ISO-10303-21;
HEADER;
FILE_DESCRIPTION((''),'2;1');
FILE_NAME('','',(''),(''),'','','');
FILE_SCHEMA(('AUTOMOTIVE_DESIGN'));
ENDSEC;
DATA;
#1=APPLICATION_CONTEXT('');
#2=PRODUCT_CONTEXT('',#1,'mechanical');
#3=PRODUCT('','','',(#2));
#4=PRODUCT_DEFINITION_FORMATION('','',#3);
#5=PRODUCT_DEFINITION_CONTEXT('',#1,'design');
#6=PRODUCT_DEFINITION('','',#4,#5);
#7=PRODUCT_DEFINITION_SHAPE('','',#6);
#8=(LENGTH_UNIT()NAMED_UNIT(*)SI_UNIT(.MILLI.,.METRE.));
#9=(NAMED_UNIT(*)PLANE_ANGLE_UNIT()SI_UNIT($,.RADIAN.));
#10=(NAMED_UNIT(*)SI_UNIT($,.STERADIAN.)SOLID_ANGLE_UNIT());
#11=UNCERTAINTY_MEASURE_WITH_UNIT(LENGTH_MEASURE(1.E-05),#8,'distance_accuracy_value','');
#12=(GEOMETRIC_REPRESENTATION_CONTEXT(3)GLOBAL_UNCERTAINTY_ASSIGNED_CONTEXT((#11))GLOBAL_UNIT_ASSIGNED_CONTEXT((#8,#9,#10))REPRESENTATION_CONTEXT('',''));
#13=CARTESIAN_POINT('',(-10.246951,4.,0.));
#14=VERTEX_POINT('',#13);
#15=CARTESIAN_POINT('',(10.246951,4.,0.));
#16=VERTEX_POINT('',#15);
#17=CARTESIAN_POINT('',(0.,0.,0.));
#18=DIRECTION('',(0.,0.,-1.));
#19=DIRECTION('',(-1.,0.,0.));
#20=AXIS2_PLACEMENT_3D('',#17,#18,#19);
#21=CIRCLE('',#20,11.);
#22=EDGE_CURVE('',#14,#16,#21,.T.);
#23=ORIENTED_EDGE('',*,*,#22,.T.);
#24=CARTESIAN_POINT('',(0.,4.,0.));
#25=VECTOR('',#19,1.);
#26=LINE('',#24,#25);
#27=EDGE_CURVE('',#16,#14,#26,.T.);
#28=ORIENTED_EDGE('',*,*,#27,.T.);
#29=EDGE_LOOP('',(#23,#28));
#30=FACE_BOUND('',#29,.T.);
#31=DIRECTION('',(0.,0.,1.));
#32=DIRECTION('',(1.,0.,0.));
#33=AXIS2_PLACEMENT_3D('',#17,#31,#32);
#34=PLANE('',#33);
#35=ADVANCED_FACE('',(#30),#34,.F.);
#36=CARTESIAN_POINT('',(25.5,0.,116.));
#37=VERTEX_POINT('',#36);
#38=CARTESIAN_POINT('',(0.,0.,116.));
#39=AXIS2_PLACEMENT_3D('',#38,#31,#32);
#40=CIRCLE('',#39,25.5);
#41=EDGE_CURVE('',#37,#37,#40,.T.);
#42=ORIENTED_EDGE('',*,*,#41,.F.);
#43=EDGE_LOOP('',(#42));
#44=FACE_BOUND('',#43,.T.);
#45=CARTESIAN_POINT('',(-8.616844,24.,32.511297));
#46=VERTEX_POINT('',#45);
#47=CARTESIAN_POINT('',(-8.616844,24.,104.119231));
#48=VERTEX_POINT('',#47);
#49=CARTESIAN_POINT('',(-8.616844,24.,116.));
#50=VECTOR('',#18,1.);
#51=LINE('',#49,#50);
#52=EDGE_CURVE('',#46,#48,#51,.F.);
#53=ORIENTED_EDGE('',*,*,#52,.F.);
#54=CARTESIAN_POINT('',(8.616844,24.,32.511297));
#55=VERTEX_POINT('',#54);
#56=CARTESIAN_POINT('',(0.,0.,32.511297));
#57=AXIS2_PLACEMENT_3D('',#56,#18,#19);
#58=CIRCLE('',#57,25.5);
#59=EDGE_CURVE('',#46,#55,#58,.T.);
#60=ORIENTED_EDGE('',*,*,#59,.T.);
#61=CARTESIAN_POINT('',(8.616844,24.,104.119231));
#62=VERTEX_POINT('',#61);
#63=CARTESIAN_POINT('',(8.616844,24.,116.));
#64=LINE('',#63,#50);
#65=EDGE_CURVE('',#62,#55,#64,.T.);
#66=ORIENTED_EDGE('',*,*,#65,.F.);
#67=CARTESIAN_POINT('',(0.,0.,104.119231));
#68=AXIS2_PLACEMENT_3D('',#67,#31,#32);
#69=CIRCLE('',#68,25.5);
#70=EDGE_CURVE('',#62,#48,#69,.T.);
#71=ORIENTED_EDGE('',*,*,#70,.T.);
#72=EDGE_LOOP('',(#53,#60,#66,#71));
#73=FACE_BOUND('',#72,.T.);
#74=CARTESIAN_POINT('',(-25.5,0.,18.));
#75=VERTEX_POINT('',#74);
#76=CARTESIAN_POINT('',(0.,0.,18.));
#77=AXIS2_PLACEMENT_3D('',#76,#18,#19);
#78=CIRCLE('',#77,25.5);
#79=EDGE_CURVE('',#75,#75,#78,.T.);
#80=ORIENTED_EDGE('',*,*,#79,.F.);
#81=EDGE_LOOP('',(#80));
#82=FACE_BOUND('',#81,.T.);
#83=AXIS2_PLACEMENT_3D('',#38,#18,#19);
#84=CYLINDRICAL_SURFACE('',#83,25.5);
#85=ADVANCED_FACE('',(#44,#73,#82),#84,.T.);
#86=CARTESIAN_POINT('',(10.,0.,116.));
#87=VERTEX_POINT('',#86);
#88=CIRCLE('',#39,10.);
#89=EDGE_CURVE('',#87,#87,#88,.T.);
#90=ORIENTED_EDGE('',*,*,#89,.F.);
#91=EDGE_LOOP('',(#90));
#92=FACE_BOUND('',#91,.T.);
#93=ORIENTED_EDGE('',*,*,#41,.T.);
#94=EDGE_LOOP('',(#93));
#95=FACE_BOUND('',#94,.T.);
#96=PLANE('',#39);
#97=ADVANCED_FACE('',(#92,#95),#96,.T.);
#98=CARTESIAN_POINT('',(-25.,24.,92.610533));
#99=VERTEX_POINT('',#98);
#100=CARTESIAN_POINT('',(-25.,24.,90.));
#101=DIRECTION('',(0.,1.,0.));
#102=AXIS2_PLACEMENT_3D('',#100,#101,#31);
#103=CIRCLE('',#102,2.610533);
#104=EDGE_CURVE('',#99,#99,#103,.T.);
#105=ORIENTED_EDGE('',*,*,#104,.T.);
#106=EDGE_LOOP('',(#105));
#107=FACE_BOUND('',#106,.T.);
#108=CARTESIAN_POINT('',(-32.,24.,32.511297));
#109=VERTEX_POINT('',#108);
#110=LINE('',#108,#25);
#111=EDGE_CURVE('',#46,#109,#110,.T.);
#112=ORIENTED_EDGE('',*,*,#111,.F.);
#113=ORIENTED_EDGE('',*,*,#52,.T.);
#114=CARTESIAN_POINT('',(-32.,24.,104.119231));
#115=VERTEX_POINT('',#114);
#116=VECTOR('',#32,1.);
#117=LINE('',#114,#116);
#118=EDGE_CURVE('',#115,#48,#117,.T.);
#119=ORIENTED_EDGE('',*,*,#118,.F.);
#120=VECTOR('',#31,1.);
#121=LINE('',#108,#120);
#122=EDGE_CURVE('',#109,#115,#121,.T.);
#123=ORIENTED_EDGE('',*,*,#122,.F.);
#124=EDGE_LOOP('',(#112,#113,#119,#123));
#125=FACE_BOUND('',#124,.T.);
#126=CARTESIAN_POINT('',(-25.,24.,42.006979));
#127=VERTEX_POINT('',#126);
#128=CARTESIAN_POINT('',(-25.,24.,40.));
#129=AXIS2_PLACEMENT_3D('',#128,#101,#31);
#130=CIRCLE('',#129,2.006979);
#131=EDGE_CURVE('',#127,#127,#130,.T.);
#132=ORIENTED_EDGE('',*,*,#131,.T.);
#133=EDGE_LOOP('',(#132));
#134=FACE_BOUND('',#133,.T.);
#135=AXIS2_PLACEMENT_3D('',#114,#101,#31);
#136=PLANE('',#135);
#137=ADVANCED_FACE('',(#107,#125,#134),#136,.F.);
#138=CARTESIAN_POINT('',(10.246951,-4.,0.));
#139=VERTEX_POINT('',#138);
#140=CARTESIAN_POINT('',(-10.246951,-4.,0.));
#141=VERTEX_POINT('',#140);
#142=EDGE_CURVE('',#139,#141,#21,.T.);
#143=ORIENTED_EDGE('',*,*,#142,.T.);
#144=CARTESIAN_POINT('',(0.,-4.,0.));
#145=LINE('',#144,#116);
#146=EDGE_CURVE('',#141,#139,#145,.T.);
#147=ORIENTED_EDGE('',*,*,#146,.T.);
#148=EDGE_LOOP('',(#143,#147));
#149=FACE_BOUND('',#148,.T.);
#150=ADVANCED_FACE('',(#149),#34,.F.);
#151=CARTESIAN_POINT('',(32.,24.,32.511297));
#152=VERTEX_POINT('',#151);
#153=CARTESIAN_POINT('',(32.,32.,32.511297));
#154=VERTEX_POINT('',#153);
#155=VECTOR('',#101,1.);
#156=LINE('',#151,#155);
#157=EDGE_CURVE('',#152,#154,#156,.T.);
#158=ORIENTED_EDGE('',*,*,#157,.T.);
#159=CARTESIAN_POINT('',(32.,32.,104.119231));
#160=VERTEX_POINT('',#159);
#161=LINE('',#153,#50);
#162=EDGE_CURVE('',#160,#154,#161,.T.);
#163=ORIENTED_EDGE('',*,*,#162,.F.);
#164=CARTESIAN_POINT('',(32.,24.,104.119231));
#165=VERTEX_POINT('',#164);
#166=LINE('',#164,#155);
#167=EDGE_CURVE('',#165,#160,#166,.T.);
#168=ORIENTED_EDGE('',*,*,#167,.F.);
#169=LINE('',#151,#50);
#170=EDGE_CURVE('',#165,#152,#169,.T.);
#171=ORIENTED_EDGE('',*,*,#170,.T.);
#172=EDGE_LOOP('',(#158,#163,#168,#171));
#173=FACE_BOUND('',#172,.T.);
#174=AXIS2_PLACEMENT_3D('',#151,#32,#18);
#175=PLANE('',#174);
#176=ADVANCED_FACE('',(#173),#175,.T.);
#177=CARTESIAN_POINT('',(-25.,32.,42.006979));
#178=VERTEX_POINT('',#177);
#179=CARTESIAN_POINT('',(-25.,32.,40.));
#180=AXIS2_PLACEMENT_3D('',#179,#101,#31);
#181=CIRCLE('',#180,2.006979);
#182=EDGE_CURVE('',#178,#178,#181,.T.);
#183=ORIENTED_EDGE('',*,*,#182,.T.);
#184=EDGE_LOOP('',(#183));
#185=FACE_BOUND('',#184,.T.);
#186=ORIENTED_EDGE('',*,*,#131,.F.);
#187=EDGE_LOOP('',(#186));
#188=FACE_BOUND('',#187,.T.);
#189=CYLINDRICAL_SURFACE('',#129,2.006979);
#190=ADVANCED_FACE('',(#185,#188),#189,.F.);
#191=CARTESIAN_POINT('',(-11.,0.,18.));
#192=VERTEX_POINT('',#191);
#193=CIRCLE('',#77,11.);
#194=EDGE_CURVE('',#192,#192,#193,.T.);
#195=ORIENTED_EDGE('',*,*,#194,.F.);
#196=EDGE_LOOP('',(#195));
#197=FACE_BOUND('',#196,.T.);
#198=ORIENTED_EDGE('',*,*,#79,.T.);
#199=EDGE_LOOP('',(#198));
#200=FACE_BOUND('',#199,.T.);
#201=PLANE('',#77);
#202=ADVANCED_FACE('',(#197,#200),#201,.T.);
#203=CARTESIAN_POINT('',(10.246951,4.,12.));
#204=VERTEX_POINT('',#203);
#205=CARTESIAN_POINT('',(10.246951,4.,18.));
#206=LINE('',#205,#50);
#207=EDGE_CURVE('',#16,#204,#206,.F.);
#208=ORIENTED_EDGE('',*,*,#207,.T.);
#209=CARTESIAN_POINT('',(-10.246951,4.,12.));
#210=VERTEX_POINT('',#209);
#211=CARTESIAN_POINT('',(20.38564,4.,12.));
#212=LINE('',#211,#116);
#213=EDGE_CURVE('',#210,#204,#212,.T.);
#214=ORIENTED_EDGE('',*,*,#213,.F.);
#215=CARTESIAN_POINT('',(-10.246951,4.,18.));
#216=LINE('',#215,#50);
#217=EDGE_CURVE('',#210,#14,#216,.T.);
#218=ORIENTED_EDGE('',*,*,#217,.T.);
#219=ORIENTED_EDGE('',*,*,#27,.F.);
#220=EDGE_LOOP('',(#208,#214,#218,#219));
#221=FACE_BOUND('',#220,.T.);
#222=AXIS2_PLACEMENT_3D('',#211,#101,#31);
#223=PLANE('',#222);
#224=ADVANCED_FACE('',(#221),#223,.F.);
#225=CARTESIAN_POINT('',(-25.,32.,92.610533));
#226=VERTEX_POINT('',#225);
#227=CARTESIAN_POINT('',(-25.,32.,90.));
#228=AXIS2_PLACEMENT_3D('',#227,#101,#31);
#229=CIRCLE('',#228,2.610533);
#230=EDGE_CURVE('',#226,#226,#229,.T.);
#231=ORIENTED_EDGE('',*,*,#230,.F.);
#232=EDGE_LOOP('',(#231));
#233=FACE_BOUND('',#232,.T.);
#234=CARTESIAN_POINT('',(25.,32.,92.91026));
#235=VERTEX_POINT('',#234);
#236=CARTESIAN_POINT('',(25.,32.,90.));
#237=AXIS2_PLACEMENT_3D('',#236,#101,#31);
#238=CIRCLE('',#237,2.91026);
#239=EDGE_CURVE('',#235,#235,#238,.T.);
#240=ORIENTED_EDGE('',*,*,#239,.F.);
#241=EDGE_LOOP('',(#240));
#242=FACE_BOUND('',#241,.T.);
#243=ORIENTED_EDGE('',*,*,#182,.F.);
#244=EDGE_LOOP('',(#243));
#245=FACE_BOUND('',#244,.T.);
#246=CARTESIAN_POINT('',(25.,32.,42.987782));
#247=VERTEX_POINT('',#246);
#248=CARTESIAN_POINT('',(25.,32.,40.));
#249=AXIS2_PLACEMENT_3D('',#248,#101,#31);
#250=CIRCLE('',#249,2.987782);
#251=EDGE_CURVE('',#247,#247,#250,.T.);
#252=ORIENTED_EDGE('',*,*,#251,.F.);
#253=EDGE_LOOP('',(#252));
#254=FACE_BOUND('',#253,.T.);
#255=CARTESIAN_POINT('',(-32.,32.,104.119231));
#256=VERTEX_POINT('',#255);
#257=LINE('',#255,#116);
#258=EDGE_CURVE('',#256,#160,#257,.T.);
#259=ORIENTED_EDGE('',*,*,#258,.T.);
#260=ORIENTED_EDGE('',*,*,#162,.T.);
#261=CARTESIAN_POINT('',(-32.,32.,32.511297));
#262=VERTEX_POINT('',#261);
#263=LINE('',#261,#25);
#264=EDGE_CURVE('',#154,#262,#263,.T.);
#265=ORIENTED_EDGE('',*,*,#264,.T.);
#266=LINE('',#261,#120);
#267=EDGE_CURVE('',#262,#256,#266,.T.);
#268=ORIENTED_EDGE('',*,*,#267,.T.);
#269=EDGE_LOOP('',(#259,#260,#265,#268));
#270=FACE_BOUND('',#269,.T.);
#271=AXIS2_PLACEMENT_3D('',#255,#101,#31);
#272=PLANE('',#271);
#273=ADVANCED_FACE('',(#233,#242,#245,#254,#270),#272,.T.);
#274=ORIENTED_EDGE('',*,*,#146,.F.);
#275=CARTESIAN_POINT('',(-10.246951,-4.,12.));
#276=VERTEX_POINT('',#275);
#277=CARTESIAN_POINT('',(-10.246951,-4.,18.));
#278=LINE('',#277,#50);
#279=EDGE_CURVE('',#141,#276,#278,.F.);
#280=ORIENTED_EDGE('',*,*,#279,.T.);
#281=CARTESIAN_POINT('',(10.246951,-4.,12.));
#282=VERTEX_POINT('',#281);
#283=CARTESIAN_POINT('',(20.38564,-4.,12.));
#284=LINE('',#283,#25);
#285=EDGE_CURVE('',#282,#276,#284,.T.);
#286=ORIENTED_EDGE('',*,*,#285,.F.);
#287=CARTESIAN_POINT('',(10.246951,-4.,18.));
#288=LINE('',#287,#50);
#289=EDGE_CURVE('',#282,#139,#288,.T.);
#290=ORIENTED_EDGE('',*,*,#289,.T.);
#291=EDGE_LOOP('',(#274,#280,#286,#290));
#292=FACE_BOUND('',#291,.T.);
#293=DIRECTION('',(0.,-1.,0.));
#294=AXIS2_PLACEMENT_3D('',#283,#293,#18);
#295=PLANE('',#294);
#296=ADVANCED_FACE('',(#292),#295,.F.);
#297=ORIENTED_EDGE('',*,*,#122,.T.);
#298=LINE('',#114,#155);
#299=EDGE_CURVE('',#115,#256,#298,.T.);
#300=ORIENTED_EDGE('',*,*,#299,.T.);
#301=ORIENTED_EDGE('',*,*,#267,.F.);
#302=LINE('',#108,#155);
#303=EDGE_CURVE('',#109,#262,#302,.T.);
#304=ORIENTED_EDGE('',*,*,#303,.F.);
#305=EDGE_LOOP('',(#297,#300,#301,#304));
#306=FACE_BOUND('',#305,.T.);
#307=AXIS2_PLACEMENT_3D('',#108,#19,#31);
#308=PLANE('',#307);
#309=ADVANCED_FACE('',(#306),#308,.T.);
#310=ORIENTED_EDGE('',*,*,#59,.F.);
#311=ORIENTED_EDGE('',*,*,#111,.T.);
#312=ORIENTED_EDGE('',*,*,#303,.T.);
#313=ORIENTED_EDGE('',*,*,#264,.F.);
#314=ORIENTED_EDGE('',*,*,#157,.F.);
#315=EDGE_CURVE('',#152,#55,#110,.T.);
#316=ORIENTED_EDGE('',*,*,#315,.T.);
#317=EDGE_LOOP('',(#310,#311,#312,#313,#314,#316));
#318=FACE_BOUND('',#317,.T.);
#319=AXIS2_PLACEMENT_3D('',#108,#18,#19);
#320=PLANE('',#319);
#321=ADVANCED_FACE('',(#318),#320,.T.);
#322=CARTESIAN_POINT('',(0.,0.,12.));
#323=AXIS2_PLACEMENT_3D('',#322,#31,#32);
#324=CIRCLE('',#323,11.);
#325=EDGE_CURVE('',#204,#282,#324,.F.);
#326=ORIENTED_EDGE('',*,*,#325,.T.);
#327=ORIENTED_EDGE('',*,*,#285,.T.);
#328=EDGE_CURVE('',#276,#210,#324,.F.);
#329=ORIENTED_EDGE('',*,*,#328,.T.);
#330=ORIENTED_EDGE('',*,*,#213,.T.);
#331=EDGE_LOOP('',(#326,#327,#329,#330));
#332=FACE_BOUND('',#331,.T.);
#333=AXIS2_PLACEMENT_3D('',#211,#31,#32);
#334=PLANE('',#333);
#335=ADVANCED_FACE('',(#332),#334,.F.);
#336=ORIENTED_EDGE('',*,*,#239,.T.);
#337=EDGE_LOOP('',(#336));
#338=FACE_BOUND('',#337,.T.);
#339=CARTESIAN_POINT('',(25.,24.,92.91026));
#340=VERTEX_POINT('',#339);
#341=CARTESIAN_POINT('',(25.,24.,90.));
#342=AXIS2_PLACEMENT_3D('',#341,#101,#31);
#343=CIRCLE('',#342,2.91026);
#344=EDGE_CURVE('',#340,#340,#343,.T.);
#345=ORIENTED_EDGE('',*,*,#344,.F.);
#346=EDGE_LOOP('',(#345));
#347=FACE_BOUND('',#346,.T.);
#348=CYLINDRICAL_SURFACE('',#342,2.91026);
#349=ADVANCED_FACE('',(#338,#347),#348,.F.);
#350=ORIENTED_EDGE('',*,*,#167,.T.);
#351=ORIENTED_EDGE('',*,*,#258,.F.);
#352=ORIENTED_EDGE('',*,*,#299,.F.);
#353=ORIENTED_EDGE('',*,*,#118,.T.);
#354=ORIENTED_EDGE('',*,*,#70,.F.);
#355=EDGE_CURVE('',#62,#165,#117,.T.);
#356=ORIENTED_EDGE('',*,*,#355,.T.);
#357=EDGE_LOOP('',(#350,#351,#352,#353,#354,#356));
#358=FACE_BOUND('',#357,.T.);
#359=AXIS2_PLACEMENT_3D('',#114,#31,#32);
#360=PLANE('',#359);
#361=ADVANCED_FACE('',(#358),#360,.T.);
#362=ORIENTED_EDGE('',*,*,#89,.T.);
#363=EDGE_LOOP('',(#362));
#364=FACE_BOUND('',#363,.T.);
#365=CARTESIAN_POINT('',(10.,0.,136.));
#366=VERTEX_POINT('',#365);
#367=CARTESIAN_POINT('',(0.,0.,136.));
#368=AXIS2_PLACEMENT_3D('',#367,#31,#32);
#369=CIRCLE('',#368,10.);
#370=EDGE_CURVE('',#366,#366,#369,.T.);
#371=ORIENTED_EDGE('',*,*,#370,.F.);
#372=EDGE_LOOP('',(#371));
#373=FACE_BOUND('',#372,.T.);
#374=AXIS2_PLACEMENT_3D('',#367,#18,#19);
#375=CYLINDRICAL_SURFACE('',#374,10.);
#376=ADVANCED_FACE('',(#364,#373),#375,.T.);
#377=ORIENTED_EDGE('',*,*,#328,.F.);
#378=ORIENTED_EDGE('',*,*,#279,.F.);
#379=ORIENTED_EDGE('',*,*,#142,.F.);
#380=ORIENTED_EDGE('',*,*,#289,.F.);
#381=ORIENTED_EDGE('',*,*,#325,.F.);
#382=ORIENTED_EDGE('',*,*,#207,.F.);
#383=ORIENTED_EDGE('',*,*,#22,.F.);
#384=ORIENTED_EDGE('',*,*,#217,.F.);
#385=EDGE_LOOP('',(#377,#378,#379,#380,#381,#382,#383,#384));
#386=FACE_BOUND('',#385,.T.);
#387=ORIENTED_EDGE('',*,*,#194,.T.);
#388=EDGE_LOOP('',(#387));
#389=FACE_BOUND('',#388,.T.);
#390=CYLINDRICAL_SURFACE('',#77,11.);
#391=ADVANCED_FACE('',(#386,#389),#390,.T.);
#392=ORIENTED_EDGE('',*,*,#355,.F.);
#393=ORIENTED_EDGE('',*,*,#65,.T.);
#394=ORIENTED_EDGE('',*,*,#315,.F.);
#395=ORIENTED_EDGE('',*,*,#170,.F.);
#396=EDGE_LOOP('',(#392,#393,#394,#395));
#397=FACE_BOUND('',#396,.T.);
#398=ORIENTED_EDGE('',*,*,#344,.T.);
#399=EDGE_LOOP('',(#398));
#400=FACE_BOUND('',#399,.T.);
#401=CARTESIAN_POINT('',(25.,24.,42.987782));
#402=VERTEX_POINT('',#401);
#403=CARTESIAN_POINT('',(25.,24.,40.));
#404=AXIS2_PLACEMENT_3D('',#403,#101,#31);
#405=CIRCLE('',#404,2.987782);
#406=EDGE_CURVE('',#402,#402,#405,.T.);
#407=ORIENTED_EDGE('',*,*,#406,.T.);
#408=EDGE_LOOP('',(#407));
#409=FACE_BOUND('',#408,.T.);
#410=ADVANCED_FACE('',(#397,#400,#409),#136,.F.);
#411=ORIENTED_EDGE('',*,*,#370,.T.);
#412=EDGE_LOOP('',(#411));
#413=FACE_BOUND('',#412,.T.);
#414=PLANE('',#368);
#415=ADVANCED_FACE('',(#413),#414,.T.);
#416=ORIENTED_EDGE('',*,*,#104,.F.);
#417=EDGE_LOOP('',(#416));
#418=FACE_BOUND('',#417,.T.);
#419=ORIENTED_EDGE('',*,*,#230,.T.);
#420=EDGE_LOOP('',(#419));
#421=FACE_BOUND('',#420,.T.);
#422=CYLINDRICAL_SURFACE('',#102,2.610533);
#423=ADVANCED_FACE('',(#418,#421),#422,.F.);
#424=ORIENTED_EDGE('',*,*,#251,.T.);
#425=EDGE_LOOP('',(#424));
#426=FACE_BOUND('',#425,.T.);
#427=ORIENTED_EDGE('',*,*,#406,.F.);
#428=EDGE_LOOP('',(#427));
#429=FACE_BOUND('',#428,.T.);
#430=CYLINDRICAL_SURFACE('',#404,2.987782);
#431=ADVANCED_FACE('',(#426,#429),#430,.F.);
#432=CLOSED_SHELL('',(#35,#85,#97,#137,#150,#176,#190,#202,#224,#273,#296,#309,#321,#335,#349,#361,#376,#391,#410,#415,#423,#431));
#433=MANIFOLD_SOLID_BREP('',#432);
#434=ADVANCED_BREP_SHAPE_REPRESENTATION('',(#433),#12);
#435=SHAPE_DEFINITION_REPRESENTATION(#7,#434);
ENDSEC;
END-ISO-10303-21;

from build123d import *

# Parameters (mm, degrees)
SKETCH1_R           = 25.5
BOSS_EXTRUDE1_DEPTH = 116
SKETCH3_OUTSIDE_W   = 80.318
SKETCH3_OUTSIDE_H   = 80.318
SKETCH3_OUTSIDE_R   = 11
CUT_EXTRUDE2_DEPTH  = 18
SKETCH4_W           = 35.319317214
SKETCH4_H           = 8
CUT_EXTRUDE3_DEPTH  = 12
SKETCH5_W           = 64
SKETCH5_H           = 71.607933851
SKETCH5_R           = 2.910259783
SKETCH5_R_2         = 2.987781855
SKETCH5_R_3         = 2.610532629
SKETCH5_R_4         = 2.006978968
BOSS_EXTRUDE2_DEPTH = 8
SKETCH6_R           = 10
BOSS_EXTRUDE3_DEPTH = 20


with BuildPart() as part:
    # Sketch1 → Boss-Extrude1 (new body)
    with BuildSketch(Plane.XY):
        with Locations(Location((0, 0, 0), (0, 0, 180))):
            Circle(SKETCH1_R)
    extrude(amount=BOSS_EXTRUDE1_DEPTH)

    # Sketch3 outside → Cut-Extrude2 (cut)
    with BuildSketch(Plane(origin=(0, 0, 0), x_dir=(-1, 0, 0), z_dir=(0, 0, -1))):
        Rectangle(SKETCH3_OUTSIDE_W, SKETCH3_OUTSIDE_H)
        Circle(SKETCH3_OUTSIDE_R, mode=Mode.SUBTRACT)
    extrude(amount=-CUT_EXTRUDE2_DEPTH, mode=Mode.SUBTRACT)

    # Sketch4 → Cut-Extrude3 (cut)
    with BuildSketch(Plane(origin=(0, 0, 0), x_dir=(-1, 0, 0), z_dir=(0, 0, -1))):
        with Locations((-2.725981742, 0)):
            Rectangle(SKETCH4_W, SKETCH4_H)
    extrude(amount=-CUT_EXTRUDE3_DEPTH, mode=Mode.SUBTRACT)

    # Sketch5 → Boss-Extrude2 (add)
    with BuildSketch(Plane(origin=(0, 32, 0), x_dir=(-1, 0, 0), z_dir=(0, 1, 0))):
        with Locations((0, 68.315264107)):
            Rectangle(SKETCH5_W, SKETCH5_H)
        with Locations(Location((-25, 90, 0), (0, 0, 90))):
            Circle(SKETCH5_R, mode=Mode.SUBTRACT)
        with Locations(Location((-25, 40, 0), (0, 0, 90))):
            Circle(SKETCH5_R_2, mode=Mode.SUBTRACT)
        with Locations(Location((25, 90, 0), (0, 0, 90))):
            Circle(SKETCH5_R_3, mode=Mode.SUBTRACT)
        with Locations(Location((25, 40, 0), (0, 0, 90))):
            Circle(SKETCH5_R_4, mode=Mode.SUBTRACT)
    extrude(amount=-BOSS_EXTRUDE2_DEPTH)

    # Sketch6 → Boss-Extrude3 (add)
    with BuildSketch(Plane.XY.offset(116)):
        Circle(SKETCH6_R)
    extrude(amount=BOSS_EXTRUDE3_DEPTH)


solid = part.part
